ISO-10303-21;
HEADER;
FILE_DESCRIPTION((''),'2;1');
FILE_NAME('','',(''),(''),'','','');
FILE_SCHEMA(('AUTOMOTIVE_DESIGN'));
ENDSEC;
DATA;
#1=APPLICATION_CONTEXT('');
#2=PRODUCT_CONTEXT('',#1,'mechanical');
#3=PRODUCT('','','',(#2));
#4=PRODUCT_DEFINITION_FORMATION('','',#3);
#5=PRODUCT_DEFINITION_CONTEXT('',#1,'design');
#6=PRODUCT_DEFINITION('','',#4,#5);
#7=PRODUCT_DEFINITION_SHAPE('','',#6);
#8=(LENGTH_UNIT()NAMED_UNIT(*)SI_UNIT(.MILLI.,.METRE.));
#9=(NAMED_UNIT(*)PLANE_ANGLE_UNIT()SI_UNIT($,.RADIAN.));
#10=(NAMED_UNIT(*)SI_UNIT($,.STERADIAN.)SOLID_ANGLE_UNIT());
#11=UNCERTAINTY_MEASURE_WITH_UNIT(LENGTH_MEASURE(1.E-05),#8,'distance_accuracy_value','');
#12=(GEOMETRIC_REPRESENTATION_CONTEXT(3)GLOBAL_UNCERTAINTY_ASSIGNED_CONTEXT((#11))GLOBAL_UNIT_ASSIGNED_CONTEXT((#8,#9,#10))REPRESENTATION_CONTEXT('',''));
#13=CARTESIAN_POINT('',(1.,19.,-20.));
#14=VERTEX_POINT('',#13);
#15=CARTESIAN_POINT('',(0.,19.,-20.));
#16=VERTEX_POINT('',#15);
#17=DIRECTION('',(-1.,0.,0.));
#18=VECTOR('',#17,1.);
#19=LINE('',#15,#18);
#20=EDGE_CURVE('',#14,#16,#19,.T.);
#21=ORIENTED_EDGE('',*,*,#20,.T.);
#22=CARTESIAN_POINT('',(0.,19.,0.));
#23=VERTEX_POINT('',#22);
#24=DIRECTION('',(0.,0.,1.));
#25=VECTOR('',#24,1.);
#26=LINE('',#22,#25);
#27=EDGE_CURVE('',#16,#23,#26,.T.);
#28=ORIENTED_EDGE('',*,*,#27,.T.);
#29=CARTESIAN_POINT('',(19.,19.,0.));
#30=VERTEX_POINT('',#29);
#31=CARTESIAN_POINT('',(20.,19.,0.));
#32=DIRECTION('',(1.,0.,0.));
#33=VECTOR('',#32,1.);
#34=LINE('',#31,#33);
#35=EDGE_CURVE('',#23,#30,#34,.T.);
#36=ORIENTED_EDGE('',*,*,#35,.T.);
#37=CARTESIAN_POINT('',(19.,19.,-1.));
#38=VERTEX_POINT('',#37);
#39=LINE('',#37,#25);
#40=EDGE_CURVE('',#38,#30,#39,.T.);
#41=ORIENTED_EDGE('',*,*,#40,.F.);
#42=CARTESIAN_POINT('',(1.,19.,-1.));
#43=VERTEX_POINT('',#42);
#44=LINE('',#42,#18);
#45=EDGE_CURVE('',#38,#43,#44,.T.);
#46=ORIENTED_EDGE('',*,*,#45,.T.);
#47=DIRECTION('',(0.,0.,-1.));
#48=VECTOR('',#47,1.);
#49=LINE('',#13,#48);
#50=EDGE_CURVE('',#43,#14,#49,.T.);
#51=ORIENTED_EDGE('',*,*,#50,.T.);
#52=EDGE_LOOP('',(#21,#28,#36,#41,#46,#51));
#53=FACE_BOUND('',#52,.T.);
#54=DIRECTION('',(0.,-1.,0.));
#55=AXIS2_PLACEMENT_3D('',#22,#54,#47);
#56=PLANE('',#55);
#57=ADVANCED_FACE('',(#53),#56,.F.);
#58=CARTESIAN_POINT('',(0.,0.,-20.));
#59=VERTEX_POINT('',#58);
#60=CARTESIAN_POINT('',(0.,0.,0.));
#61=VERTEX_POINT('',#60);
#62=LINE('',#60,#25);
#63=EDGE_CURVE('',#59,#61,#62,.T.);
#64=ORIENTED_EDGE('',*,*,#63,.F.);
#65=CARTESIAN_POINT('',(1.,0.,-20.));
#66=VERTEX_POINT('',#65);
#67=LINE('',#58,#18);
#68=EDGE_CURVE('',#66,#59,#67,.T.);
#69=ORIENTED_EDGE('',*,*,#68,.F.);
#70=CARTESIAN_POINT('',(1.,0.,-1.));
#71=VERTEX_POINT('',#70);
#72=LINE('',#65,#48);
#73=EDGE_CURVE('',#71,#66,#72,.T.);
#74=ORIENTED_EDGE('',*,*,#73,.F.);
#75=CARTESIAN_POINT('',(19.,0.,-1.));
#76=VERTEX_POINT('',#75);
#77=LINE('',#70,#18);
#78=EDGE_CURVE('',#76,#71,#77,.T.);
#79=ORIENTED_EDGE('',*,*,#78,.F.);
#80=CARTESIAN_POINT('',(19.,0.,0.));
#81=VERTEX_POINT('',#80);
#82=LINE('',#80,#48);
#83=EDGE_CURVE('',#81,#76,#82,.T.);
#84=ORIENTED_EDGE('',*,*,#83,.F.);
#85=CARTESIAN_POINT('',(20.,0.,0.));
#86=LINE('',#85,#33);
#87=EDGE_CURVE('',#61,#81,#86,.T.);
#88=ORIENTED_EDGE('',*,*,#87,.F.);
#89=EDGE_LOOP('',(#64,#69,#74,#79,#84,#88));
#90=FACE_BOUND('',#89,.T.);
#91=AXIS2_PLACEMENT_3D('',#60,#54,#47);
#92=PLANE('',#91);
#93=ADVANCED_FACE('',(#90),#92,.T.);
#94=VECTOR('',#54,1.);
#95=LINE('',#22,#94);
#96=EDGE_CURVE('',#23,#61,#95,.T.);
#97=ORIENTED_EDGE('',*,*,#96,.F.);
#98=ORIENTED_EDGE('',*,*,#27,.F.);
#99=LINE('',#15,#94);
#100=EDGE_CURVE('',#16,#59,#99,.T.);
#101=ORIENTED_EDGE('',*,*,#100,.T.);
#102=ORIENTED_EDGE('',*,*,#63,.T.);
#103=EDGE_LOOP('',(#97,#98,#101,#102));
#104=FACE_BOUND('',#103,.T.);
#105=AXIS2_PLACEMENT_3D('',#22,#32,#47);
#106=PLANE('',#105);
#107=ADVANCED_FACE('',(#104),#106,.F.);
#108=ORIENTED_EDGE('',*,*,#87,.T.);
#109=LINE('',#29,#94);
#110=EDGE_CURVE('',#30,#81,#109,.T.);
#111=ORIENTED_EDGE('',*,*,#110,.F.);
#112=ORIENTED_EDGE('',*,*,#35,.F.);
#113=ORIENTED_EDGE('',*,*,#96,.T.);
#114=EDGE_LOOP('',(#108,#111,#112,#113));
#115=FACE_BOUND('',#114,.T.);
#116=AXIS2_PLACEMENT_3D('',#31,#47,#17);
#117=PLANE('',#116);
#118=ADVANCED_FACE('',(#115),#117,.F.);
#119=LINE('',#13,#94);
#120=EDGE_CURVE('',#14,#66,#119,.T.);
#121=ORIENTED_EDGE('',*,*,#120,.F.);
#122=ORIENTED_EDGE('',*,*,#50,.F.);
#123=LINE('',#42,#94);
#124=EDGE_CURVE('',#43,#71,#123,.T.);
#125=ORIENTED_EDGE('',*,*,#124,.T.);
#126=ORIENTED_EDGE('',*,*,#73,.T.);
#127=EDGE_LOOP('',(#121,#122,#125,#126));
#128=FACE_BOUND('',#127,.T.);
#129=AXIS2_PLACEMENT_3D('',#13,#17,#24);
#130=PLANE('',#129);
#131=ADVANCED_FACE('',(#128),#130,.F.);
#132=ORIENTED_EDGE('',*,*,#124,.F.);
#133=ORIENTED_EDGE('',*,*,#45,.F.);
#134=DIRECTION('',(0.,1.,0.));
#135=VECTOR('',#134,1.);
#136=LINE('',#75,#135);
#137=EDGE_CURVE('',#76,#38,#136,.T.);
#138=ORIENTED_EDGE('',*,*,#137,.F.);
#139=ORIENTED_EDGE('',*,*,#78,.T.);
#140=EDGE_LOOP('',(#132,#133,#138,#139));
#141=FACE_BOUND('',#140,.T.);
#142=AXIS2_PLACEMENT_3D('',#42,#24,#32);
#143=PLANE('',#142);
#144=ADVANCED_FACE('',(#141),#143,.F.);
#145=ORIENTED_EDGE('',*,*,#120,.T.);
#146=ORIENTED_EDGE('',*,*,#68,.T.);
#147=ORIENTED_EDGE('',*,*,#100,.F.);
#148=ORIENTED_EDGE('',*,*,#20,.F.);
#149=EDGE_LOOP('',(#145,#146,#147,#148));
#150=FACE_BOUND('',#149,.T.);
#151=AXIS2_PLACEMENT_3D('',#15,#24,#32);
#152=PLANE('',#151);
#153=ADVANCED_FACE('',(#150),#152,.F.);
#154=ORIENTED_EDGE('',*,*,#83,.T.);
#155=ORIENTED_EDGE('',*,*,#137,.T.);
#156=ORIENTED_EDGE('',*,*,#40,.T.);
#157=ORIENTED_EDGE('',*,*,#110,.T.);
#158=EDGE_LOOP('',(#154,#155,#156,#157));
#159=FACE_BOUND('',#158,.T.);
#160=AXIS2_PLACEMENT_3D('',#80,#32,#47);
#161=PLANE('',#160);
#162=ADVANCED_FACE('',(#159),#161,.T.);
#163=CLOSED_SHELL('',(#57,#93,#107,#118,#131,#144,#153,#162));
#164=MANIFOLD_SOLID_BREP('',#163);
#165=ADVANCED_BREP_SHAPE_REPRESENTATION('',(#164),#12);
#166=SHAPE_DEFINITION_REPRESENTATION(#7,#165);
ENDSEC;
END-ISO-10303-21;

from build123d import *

# Parameters (mm, degrees)
EXTRUDE_1_DEPTH     = 19
SKETCH_2_W          = 1
SKETCH_2_H          = 19
CUT_EXTRUDE_1_DEPTH = 1


with BuildPart() as part:
    # Эскиз1 → Бобышка-Вытянуть1 (new body)
    with BuildSketch(Plane(origin=(0, 0, 0), x_dir=(1, 0, 0), z_dir=(0, 1, 0))):
        Polygon((0, 0), (0, 20), (1, 20), (1, 1), (20, 1), (20, 0), align=None)
    extrude(amount=EXTRUDE_1_DEPTH)

    # Эскиз2 → Вырез-Вытянуть1 (cut)
    with BuildSketch(Plane(origin=(20, 0, 0), x_dir=(0, 0, -1), z_dir=(1, 0, 0))):
        with Locations((0.5, 9.5)):
            Rectangle(SKETCH_2_W, SKETCH_2_H)
    extrude(amount=-CUT_EXTRUDE_1_DEPTH, mode=Mode.SUBTRACT)


solid = part.part
